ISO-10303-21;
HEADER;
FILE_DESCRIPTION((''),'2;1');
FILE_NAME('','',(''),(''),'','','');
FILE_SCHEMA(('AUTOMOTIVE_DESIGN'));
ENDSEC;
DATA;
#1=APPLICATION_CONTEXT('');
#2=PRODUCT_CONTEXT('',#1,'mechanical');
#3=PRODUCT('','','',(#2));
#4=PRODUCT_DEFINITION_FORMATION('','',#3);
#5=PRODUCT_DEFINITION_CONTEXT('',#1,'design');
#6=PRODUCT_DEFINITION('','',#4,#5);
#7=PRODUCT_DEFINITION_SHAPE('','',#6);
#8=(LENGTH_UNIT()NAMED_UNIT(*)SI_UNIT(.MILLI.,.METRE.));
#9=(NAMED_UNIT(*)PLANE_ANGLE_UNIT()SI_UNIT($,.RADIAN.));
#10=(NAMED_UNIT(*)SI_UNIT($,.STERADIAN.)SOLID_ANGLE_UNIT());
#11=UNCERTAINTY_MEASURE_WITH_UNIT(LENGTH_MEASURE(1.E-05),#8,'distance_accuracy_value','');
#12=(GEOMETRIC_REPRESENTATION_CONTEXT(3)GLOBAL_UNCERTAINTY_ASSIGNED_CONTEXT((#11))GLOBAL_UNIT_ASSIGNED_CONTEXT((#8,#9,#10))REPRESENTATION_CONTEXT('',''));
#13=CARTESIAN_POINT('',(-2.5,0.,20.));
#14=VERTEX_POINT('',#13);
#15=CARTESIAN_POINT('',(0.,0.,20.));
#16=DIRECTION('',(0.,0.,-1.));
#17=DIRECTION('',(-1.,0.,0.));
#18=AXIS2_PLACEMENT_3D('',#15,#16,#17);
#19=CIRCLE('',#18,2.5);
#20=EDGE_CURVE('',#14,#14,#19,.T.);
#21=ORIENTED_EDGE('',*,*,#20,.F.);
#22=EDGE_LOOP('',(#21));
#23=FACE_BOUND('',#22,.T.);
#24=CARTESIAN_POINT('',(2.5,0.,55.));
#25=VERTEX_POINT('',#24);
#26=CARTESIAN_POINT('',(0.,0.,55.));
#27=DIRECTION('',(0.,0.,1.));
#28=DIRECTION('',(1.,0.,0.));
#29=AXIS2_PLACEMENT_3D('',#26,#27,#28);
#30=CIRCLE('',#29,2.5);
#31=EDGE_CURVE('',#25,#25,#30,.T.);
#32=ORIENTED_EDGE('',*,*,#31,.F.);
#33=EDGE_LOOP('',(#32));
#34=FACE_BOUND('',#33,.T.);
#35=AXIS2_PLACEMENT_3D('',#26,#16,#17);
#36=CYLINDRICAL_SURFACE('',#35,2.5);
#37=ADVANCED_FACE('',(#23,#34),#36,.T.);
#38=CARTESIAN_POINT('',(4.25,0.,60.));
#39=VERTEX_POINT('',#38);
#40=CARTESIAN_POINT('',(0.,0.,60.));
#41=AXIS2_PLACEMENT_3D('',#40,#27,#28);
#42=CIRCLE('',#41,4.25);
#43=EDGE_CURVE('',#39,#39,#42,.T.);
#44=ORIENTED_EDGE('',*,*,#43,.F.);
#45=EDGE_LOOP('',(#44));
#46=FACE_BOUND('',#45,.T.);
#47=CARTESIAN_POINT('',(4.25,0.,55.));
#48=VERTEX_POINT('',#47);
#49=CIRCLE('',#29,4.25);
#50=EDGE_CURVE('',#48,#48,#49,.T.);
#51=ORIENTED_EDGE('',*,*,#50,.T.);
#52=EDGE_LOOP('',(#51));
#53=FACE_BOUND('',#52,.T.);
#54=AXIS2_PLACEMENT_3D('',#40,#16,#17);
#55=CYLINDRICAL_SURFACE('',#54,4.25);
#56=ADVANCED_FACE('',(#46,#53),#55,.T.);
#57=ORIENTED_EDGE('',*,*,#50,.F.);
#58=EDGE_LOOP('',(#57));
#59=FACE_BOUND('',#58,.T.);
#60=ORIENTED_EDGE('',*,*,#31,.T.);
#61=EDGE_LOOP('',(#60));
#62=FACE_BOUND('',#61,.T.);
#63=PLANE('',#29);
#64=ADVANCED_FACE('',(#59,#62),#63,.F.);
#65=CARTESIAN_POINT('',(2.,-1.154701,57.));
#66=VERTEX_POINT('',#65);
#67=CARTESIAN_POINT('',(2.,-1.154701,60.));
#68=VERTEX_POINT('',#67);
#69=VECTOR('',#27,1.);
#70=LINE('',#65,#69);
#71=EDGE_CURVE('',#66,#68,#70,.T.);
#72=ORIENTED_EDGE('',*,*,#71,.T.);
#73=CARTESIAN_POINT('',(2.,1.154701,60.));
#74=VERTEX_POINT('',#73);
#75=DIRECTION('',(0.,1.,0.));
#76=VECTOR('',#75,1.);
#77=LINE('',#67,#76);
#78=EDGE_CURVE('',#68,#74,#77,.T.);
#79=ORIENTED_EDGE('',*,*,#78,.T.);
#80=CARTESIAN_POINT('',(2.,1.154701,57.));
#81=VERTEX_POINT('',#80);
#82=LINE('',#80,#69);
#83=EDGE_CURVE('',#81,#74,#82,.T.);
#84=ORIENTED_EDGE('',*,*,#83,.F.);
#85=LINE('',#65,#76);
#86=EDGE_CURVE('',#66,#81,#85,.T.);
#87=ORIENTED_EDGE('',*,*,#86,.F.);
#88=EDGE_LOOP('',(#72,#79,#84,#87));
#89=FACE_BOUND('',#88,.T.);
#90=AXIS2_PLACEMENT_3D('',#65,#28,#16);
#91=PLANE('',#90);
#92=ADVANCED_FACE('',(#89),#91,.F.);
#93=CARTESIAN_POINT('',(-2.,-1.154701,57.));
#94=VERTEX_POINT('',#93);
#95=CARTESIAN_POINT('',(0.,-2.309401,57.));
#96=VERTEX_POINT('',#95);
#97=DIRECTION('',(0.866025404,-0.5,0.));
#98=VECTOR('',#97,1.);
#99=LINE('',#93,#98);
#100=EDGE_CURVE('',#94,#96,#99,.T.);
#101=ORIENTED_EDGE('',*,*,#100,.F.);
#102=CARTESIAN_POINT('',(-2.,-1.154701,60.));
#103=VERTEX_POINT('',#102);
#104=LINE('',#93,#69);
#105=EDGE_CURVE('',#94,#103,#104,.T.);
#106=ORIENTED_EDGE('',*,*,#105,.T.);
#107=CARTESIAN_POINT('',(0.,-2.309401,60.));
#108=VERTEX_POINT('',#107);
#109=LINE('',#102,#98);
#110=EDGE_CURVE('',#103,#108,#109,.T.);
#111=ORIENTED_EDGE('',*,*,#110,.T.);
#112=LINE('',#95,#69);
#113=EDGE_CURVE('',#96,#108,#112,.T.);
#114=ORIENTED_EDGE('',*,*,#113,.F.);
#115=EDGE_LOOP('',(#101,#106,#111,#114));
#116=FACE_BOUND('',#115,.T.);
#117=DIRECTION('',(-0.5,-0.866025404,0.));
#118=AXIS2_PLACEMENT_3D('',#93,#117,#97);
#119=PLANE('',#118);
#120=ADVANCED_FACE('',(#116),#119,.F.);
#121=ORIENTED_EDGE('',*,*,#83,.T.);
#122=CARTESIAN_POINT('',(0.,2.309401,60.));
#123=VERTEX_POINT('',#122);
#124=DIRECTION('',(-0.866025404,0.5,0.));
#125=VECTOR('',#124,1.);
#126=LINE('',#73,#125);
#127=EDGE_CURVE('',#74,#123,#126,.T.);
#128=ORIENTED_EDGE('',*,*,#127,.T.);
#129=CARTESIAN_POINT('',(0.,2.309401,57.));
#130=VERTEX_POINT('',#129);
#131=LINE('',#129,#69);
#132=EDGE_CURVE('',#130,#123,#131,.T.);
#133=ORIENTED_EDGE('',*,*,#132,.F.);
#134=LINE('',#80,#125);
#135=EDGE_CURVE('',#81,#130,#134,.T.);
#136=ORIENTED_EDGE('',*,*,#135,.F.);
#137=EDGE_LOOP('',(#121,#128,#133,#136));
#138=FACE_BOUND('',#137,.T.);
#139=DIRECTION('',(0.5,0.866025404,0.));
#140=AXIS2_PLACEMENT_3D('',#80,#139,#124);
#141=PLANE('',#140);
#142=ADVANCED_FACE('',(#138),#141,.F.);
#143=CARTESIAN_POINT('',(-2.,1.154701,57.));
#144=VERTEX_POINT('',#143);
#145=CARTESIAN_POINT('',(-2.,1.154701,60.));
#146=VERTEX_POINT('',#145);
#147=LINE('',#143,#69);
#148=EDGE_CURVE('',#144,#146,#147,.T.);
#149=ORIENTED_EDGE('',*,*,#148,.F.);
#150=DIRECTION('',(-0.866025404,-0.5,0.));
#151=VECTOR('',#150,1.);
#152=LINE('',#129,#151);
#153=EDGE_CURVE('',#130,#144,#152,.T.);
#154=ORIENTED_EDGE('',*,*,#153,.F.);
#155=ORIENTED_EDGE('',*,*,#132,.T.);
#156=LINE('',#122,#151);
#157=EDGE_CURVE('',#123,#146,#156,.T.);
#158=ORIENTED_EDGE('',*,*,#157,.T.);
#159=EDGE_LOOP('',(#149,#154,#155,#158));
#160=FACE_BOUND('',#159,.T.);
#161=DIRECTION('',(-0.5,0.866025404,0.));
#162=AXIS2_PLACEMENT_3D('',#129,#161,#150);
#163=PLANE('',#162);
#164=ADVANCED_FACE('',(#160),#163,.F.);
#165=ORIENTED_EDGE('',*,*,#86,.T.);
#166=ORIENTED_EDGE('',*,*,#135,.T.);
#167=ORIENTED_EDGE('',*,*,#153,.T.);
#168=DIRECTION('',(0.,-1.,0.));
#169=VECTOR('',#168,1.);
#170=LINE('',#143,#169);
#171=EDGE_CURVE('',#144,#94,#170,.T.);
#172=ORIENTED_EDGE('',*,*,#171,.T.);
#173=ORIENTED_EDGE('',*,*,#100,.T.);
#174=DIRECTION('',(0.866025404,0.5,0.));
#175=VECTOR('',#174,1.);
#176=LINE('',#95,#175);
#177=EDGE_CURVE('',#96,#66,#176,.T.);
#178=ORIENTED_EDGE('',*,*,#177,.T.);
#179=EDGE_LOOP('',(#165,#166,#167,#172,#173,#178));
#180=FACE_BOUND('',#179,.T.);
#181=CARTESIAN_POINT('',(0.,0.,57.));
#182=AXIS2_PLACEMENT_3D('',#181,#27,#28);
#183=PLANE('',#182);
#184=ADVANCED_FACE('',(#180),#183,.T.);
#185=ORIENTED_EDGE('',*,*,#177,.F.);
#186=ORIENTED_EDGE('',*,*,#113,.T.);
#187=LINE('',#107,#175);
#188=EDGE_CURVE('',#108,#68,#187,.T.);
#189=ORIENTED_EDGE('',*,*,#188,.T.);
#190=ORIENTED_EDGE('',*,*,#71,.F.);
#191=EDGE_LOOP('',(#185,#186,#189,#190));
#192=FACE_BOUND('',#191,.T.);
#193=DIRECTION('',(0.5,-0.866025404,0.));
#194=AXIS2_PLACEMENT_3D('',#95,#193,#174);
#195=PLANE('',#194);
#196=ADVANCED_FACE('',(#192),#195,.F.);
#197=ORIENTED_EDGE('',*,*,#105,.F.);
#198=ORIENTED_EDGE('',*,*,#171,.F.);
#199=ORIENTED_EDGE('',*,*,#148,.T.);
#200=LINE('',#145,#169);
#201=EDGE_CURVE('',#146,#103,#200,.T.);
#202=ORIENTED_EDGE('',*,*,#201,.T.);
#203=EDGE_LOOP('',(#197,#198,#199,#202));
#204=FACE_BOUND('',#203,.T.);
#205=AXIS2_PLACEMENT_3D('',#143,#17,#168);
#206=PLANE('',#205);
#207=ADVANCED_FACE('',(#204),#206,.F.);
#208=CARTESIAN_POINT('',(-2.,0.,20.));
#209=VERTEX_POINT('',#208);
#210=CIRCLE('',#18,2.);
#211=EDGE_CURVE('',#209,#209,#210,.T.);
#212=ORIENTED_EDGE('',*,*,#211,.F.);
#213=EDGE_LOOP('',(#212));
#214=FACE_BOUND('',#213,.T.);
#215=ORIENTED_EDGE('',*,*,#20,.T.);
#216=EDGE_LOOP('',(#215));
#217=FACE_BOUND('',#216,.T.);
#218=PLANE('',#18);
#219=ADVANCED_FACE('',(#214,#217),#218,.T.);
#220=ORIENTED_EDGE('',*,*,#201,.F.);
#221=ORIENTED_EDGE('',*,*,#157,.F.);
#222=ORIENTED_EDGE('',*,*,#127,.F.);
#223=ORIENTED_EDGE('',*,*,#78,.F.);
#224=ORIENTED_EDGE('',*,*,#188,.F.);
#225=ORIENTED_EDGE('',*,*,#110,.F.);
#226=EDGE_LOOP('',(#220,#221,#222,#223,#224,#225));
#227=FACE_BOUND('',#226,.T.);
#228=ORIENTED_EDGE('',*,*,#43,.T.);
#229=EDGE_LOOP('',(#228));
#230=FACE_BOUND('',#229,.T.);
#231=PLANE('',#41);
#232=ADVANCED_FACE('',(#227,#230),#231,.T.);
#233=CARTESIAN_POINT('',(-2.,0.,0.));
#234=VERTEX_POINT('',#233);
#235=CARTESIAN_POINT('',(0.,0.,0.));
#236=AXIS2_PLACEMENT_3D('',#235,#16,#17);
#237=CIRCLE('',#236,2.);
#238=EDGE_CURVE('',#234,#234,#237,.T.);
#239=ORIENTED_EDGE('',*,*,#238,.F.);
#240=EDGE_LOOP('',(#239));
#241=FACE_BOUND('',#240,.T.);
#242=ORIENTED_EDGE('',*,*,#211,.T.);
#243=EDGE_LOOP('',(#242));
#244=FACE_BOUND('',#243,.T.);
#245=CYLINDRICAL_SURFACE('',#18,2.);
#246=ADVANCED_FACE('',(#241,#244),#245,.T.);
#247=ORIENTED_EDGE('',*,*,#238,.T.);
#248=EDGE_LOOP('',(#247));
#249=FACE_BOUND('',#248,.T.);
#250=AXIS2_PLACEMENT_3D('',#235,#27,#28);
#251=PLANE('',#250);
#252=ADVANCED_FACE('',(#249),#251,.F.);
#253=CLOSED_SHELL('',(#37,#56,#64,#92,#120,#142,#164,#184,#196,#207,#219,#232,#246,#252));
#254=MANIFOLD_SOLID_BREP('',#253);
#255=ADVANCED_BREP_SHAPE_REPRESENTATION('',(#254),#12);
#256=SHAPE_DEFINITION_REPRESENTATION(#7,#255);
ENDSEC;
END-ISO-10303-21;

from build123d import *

# Parameters (mm, degrees)
SKETCH_1_R          = 2.5
EXTRUDE_1_DEPTH     = 55
SKETCH_2_R          = 4.25
EXTRUDE_2_DEPTH     = 5
CUT_EXTRUDE_1_DEPTH = 3
SKETCH_4_R          = 2.5
SKETCH_4_R_2        = 2
CUT_EXTRUDE_2_DEPTH = 20


with BuildPart() as part:
    # ｽｹｯﾁ1 → ﾎﾞｽ - 押し出し1 (new body)
    with BuildSketch(Plane.XY):
        Circle(SKETCH_1_R)
    extrude(amount=EXTRUDE_1_DEPTH)

    # ｽｹｯﾁ2 → ﾎﾞｽ - 押し出し2 (add)
    with BuildSketch(Plane.XY.offset(55)):
        Circle(SKETCH_2_R)
    extrude(amount=EXTRUDE_2_DEPTH)

    # ｽｹｯﾁ3 → ｶｯﾄ - 押し出し1 (cut)
    with BuildSketch(Plane.XY.offset(60)):
        Polygon((0, 2.309401077), (-2, 1.154700538), (-2, -1.154700538), (0, -2.309401077), (2, -1.154700538), (2, 1.154700538), align=None)
    extrude(amount=-CUT_EXTRUDE_1_DEPTH, mode=Mode.SUBTRACT)

    # ｽｹｯﾁ4 → ｶｯﾄ - 押し出し2 (cut)
    with BuildSketch(Plane(origin=(0, 0, 0), x_dir=(-1, 0, 0), z_dir=(0, 0, -1))):
        Circle(SKETCH_4_R)
        Circle(SKETCH_4_R_2, mode=Mode.SUBTRACT)
    extrude(amount=-CUT_EXTRUDE_2_DEPTH, mode=Mode.SUBTRACT)


solid = part.part
